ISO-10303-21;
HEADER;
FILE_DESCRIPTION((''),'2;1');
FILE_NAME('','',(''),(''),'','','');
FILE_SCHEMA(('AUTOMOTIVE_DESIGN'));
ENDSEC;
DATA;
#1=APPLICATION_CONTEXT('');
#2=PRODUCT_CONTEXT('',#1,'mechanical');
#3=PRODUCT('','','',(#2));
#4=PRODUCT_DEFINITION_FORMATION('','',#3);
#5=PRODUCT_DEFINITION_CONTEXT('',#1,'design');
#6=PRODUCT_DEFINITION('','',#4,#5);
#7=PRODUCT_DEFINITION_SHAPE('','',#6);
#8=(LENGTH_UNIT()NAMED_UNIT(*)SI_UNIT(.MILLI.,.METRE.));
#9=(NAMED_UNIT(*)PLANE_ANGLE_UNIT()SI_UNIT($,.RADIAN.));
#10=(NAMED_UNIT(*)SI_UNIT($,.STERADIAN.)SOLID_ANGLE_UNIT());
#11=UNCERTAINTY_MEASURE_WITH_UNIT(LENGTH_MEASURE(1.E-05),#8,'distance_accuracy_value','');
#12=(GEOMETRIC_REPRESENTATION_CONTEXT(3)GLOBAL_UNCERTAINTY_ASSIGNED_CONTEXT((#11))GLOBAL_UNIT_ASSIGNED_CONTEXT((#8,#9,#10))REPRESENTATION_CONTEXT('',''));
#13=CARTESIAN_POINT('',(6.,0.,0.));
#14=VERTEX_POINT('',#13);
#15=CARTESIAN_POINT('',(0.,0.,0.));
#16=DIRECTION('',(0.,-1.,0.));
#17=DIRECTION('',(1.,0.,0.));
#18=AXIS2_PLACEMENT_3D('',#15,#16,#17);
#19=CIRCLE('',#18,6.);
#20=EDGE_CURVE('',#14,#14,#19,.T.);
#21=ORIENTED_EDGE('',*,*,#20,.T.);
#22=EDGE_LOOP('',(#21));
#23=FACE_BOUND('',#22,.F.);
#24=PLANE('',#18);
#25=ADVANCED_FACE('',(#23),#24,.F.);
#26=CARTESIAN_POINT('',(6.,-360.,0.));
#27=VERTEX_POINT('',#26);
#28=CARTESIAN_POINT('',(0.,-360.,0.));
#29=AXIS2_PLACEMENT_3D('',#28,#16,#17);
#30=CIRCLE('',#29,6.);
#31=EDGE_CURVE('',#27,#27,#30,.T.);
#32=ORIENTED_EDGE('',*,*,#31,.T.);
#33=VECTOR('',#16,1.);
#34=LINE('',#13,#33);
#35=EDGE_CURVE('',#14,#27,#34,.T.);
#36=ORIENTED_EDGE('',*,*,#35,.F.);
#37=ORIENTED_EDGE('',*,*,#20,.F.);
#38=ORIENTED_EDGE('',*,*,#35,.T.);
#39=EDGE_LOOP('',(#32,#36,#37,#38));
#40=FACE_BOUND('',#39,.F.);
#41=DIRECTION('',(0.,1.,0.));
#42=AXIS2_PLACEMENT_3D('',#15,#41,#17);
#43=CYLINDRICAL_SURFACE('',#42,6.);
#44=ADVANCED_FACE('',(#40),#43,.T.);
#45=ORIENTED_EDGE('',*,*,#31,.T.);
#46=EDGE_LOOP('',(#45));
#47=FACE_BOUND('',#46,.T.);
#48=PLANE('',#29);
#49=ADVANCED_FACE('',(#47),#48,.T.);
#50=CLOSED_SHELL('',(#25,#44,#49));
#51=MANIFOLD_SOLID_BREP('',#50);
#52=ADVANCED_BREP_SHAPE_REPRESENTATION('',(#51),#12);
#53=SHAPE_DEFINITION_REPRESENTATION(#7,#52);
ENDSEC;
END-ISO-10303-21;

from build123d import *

# Parameters (mm, degrees)
SKETCH_R  = 6
PAD_DEPTH = 360


with BuildPart() as part:
    # Sketch → Pad (new body)
    with BuildSketch(Plane.XZ):
        Circle(SKETCH_R)
    extrude(amount=PAD_DEPTH)


solid = part.part
